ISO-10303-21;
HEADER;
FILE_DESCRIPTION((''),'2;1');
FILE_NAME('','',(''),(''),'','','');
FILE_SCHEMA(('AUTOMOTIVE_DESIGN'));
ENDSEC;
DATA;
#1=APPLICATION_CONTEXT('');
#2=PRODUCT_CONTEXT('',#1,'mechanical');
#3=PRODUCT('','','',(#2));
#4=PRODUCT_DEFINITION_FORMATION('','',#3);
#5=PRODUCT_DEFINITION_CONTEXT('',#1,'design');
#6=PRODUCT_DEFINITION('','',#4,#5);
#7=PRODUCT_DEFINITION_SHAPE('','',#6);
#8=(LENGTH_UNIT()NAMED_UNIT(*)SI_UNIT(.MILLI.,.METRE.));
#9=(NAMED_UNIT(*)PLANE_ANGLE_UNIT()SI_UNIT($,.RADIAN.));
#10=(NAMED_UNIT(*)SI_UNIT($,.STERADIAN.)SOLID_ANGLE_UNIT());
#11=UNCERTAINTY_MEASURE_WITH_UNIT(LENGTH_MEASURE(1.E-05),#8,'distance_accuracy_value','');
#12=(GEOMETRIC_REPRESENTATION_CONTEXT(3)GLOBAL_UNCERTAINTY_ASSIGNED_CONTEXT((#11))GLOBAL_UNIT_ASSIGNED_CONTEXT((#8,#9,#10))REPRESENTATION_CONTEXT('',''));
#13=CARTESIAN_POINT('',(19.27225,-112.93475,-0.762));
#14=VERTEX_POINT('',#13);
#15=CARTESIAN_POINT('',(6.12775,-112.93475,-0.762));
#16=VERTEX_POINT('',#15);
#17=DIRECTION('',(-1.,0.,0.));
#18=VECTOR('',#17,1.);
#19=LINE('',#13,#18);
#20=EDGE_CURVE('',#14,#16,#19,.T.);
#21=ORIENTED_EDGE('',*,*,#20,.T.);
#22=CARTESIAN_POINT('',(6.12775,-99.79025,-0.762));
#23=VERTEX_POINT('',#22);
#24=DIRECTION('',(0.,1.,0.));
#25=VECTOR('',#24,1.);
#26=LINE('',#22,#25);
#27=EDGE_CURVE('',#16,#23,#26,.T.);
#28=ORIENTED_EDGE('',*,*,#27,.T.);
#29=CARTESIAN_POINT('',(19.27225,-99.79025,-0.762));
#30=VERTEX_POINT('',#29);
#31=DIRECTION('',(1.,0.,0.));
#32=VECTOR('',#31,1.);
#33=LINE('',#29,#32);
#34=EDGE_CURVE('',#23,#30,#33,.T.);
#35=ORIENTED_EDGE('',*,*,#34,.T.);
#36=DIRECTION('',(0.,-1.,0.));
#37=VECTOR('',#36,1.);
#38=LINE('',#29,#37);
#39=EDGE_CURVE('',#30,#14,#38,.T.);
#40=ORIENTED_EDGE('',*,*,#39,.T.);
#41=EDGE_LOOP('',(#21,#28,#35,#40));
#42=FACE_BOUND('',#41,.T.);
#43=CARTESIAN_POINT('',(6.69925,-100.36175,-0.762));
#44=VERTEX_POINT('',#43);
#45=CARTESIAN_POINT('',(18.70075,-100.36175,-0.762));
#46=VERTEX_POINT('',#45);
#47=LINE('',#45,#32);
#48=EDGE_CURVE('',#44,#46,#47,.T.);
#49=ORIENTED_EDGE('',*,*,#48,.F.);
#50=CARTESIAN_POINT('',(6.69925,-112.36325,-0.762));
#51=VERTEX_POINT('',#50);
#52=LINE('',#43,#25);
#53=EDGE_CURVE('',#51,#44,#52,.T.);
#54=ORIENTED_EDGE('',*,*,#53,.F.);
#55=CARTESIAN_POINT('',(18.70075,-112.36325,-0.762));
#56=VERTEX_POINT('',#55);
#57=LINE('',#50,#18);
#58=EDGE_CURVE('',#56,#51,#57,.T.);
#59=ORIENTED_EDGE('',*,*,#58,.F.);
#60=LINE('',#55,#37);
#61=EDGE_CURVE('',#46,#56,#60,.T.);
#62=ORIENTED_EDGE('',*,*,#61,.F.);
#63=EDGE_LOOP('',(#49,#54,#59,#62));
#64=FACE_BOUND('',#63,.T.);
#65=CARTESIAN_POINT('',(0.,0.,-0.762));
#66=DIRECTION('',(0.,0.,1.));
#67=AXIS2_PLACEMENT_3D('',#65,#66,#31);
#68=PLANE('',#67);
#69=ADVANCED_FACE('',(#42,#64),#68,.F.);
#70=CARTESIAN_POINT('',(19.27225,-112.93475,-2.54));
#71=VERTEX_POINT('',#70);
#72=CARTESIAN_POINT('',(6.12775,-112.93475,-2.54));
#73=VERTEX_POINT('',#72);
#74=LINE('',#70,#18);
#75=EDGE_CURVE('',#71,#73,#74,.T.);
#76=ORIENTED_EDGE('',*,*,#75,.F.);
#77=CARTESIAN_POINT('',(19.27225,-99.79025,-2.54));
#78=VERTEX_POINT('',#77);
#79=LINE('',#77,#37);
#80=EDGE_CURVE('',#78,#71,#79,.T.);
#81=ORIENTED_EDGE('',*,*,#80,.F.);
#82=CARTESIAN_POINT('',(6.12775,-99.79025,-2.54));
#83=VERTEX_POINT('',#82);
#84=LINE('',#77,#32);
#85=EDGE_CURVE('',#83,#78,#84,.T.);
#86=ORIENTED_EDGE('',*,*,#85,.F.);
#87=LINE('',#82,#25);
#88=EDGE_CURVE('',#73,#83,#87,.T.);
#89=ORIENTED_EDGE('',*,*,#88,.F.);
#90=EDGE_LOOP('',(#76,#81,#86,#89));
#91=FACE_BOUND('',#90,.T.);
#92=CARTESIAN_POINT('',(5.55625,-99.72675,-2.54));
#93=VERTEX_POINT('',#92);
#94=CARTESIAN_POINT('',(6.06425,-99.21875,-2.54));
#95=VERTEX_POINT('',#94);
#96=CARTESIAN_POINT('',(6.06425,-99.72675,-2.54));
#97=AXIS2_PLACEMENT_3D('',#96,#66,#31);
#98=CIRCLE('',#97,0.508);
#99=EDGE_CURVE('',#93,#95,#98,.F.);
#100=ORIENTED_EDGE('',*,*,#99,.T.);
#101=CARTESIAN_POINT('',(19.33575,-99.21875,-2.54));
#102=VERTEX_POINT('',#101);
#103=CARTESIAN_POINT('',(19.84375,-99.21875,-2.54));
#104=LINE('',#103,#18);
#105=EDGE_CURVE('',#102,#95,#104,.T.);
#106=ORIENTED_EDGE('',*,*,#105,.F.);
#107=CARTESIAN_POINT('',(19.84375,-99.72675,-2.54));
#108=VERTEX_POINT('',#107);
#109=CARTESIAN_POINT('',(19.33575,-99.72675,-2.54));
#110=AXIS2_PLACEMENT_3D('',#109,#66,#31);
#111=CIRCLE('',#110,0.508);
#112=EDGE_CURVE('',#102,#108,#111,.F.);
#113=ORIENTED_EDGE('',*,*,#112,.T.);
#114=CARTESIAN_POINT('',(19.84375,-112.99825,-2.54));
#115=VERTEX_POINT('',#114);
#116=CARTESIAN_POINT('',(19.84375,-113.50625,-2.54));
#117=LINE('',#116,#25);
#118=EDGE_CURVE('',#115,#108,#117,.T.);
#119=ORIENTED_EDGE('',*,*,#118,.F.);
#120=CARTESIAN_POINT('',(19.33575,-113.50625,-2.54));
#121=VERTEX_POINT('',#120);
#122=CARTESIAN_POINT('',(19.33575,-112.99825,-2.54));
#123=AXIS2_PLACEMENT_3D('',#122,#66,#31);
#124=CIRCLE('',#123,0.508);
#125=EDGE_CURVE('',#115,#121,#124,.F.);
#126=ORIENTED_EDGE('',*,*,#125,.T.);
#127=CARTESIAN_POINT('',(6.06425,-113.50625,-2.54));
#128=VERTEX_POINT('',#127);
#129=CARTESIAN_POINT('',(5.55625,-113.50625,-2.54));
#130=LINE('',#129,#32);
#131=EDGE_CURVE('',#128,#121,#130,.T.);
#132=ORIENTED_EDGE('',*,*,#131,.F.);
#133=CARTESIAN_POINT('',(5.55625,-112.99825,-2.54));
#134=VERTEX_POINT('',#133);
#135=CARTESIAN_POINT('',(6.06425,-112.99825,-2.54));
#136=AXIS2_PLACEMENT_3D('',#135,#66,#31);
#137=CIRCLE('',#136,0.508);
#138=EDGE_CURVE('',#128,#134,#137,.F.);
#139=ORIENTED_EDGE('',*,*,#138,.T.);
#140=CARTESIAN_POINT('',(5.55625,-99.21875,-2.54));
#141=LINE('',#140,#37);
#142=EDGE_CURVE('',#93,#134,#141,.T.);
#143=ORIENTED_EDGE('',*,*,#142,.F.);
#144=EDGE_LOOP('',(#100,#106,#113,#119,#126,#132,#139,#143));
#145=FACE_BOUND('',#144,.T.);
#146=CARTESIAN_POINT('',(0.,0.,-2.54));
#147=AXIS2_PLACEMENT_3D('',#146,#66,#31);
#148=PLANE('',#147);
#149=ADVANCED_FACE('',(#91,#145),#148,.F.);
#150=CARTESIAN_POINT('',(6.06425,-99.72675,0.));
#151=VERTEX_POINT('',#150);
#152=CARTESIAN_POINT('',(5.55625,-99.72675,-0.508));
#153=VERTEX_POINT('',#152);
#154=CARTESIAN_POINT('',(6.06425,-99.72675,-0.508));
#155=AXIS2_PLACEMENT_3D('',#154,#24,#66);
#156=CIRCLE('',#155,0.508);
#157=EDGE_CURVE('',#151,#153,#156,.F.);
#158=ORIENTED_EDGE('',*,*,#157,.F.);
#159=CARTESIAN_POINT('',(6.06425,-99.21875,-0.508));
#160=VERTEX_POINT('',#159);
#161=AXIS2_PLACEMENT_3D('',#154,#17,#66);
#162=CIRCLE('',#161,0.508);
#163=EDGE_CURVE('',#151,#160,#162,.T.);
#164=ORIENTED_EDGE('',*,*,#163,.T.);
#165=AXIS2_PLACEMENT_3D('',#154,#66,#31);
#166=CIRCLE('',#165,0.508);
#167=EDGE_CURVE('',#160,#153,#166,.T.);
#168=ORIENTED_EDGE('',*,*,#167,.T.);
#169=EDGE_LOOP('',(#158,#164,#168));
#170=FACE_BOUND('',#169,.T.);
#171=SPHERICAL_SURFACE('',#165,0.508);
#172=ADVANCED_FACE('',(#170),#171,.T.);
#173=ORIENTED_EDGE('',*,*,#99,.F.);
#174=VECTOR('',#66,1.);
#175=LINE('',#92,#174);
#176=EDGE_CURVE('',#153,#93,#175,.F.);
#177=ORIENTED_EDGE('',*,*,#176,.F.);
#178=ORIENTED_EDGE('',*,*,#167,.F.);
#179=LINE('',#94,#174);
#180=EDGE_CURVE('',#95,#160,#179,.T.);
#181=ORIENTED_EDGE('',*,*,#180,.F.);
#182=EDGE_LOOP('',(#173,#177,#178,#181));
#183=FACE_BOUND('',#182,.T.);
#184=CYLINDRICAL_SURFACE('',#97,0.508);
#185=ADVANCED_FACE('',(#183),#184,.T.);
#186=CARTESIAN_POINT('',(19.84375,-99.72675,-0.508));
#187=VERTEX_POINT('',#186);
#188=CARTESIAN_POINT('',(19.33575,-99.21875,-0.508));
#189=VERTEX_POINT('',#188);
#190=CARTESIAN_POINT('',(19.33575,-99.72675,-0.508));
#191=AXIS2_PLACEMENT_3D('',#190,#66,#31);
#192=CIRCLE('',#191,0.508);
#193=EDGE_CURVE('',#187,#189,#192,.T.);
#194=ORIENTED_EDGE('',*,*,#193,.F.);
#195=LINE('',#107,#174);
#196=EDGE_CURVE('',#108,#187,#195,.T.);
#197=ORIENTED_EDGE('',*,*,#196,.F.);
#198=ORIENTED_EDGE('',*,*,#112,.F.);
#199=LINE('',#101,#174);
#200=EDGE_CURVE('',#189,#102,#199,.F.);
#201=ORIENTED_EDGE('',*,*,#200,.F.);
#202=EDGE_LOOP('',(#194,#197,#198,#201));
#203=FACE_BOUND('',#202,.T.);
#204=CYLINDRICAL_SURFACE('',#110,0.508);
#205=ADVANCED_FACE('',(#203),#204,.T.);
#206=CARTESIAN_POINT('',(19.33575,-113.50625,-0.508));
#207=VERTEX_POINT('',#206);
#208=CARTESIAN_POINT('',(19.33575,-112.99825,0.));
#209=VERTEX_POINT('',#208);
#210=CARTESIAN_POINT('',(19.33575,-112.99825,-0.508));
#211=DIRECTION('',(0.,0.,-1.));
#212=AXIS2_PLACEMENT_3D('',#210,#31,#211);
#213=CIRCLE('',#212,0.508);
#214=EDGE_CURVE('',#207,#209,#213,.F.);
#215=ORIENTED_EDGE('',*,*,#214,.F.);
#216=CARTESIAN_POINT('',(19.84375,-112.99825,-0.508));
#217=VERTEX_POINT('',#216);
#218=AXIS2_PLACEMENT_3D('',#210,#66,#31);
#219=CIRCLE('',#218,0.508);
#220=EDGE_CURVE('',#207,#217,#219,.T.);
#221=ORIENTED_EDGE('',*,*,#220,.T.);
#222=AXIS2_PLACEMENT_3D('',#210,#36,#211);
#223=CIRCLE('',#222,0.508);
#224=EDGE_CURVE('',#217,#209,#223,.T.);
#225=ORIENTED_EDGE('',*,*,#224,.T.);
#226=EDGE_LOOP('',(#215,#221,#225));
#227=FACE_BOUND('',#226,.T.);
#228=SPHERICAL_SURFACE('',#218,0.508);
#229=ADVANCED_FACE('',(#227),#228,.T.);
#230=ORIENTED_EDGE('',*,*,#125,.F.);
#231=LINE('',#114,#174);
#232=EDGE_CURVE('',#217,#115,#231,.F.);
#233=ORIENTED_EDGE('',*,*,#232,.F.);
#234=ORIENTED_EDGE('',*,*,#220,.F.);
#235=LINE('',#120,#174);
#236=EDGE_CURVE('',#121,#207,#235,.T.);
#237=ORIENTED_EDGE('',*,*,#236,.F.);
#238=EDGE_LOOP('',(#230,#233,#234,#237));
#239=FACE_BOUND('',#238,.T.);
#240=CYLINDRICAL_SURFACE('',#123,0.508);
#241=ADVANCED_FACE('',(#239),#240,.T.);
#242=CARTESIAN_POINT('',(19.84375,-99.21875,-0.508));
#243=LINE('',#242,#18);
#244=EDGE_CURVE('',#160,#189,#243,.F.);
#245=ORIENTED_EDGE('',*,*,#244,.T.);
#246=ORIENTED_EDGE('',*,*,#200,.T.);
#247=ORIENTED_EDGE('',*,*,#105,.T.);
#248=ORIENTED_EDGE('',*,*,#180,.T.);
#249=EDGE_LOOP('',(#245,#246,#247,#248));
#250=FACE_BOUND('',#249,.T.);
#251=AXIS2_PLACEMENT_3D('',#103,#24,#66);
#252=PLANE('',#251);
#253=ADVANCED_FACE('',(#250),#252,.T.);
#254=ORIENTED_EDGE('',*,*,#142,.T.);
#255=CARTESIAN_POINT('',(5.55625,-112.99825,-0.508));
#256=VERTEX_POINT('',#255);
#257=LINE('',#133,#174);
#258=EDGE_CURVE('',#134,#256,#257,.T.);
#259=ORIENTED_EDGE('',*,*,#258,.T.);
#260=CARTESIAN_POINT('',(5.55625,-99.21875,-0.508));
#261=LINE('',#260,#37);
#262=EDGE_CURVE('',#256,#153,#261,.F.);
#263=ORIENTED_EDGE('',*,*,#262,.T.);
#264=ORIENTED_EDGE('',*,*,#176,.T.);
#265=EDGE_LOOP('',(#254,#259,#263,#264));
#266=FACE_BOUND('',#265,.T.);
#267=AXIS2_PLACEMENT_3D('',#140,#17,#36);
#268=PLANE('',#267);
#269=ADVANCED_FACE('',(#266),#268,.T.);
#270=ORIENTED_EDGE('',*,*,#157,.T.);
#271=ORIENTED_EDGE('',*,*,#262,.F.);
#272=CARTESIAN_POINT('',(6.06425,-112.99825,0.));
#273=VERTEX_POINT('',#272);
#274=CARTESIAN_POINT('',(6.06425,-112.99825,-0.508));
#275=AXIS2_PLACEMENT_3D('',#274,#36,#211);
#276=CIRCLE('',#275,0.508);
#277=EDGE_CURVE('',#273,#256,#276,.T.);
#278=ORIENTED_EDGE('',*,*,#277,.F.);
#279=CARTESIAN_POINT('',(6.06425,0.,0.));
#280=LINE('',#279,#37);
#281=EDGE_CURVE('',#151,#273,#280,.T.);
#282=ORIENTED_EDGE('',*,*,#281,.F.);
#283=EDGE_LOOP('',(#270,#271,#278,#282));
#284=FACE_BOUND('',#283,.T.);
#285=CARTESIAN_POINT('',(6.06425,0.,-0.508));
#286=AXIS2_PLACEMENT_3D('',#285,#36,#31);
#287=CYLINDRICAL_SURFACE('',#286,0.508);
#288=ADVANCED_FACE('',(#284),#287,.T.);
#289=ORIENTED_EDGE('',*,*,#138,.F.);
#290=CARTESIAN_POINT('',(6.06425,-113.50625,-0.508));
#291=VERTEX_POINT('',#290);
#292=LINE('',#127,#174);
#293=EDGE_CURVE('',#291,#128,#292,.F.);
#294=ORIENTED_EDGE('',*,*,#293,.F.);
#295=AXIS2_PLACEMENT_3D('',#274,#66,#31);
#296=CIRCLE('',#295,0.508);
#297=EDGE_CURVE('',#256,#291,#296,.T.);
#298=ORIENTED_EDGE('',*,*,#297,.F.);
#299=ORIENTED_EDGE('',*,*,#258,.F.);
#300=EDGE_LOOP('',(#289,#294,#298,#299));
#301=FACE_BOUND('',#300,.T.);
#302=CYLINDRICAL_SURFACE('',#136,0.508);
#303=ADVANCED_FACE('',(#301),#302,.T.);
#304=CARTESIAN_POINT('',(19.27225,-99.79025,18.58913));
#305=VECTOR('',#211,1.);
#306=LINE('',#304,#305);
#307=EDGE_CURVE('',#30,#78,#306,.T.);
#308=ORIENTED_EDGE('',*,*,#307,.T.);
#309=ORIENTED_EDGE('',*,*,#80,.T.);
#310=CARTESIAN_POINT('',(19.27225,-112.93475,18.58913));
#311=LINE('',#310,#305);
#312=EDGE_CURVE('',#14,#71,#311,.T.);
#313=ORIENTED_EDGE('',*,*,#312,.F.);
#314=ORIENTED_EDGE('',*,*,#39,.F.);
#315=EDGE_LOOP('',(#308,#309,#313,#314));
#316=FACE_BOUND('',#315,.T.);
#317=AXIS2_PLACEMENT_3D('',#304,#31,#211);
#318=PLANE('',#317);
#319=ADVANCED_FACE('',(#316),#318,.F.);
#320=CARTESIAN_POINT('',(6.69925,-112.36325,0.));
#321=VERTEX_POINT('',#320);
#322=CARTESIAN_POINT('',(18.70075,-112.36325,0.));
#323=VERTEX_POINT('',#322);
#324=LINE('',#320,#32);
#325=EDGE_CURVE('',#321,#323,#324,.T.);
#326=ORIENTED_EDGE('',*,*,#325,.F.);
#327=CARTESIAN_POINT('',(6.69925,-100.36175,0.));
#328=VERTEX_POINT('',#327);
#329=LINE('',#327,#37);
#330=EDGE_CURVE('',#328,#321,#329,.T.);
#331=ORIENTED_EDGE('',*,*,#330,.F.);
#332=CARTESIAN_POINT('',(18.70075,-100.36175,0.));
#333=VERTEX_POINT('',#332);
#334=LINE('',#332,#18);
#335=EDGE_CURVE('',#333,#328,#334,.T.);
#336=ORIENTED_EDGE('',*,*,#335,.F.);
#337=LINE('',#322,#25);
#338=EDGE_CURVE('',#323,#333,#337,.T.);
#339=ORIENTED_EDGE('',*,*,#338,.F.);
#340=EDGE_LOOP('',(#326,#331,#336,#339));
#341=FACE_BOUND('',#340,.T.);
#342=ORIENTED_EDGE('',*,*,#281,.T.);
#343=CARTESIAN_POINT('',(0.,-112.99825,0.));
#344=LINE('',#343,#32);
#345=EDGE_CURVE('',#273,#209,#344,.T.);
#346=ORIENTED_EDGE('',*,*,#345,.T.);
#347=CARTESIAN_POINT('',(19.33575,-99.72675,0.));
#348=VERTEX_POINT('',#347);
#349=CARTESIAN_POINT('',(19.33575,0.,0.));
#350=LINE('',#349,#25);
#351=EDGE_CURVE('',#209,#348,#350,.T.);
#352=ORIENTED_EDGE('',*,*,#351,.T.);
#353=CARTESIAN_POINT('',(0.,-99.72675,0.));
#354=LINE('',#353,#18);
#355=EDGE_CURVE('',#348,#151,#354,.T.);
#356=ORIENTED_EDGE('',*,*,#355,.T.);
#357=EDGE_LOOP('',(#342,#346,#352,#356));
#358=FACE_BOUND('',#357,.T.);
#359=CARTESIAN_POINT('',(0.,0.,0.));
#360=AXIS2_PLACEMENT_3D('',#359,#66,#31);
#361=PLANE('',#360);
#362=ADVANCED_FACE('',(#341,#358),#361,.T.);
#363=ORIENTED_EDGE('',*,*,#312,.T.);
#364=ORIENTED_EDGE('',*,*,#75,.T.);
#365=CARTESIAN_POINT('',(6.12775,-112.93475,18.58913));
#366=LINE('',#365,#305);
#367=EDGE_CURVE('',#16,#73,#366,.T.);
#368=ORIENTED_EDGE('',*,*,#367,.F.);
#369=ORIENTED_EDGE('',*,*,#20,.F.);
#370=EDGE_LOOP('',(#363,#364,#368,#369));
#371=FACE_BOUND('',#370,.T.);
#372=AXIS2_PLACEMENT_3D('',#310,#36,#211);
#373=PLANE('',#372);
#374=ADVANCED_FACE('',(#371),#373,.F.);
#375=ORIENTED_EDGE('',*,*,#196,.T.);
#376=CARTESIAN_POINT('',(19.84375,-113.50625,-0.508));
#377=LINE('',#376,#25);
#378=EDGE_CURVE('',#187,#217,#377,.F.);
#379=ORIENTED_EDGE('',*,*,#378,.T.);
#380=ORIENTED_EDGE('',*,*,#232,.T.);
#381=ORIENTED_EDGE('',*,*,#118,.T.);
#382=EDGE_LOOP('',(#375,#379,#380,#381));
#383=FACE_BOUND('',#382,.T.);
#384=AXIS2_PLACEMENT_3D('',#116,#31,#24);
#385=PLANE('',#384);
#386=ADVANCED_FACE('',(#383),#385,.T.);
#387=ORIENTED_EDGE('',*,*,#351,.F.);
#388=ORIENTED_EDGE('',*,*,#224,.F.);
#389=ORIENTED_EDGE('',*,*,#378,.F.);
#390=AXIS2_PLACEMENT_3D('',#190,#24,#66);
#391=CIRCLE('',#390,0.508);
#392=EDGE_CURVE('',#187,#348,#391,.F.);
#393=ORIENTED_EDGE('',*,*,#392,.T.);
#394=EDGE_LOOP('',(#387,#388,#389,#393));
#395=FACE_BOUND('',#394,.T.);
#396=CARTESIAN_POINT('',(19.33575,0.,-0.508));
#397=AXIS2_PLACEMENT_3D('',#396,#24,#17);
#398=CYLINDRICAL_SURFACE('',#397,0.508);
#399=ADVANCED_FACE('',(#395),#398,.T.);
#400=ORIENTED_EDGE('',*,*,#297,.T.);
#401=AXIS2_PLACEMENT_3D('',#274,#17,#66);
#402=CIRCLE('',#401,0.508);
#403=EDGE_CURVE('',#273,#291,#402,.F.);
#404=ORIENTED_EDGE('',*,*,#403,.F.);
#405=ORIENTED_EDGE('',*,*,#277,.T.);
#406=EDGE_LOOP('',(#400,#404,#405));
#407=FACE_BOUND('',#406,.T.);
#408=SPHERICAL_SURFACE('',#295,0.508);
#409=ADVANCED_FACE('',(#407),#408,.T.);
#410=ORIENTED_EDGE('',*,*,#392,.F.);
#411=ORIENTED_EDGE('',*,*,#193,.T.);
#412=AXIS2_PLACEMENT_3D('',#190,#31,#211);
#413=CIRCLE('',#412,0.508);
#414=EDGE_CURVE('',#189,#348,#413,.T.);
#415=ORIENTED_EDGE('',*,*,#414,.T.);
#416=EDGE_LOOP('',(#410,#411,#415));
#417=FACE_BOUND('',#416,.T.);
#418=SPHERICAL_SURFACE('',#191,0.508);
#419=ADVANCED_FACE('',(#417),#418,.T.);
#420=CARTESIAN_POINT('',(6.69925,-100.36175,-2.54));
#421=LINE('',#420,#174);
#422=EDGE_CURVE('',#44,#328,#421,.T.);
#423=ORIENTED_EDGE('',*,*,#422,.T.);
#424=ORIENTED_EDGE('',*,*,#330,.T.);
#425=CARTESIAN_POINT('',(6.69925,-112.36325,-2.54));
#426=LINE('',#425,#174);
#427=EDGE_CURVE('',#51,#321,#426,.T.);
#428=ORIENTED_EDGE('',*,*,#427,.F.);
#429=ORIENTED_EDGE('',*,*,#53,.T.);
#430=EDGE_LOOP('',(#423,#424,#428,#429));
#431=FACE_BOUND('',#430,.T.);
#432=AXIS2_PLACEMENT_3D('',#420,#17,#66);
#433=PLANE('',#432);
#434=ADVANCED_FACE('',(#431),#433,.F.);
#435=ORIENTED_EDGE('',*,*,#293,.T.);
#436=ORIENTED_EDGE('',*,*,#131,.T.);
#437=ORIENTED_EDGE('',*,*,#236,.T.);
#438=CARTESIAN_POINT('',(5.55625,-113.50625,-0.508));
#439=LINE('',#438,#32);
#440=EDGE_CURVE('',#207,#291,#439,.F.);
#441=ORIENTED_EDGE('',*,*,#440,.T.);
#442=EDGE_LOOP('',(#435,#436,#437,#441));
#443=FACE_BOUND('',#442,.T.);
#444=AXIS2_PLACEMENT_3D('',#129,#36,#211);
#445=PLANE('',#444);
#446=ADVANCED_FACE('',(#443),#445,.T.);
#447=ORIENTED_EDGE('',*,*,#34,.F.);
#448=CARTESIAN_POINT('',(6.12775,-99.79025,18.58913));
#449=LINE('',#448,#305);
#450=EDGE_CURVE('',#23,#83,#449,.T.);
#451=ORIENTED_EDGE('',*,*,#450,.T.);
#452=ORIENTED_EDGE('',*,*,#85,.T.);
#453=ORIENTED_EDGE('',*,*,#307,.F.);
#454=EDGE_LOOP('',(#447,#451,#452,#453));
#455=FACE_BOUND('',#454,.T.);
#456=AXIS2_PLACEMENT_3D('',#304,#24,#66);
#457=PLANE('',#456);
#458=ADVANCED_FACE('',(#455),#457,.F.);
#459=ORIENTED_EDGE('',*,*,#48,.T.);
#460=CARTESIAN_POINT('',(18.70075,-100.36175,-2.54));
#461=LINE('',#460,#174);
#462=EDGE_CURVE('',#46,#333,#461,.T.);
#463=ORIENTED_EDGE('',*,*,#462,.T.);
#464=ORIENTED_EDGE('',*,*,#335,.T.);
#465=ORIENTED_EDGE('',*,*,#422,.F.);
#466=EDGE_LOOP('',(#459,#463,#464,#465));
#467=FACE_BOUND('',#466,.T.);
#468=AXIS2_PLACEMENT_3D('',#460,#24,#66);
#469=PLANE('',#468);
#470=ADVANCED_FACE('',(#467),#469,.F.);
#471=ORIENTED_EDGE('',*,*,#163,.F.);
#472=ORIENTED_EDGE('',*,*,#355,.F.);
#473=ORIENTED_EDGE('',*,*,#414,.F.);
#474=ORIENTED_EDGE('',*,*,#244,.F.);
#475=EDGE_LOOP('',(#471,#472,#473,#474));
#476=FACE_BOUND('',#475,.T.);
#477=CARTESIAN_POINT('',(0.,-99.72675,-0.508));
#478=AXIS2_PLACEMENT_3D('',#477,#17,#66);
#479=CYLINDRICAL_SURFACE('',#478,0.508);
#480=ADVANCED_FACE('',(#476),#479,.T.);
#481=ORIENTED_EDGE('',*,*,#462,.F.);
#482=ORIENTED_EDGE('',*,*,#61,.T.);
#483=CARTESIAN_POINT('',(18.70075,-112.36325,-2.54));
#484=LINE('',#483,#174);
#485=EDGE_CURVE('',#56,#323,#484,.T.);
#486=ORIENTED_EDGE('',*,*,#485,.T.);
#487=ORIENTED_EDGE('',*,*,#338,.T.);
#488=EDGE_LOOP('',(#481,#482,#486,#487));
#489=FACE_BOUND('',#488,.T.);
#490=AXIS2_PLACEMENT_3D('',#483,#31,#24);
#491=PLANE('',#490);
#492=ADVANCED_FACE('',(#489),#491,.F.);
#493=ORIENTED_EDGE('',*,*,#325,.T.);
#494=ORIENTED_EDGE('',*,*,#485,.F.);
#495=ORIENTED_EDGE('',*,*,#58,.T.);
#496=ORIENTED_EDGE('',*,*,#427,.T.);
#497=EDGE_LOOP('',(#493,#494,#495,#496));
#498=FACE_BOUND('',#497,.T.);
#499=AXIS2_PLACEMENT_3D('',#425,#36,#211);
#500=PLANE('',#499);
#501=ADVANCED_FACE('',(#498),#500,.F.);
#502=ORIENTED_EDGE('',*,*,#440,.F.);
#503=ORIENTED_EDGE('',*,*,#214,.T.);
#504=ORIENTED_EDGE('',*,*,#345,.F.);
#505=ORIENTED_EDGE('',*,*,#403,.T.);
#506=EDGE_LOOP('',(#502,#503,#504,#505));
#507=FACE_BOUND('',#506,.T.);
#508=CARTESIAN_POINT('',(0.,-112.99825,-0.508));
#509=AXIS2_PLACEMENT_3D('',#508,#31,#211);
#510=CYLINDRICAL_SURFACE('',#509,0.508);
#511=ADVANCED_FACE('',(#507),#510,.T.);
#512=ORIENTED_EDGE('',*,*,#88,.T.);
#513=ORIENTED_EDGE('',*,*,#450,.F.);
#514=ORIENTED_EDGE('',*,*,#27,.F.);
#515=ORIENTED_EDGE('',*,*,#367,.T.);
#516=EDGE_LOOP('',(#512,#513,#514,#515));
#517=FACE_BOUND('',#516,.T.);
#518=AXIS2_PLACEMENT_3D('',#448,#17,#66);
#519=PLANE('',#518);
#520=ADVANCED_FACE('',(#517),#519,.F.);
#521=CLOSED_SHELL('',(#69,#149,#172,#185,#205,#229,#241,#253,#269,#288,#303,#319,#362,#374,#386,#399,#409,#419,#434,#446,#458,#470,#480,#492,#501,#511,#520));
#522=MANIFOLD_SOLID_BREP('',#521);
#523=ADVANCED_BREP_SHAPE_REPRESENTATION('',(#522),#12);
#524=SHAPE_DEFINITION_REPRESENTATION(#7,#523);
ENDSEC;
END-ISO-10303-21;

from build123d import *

# Parameters (mm, degrees)
SKETCH1_W           = 14.2875
SKETCH1_H           = 14.2875
SKETCH1_W_2         = 12.0015
SKETCH1_H_2         = 12.0015
BOSS_EXTRUDE1_DEPTH = 2.54
SKETCH2_W           = 13.1445
SKETCH2_H           = 13.1445
CUT_EXTRUDE1_DEPTH  = 1.778
FILLET1_R           = 0.508


with BuildPart() as part:
    # Sketch1 → Boss-Extrude1 (new body)
    with BuildSketch(Plane.XY):
        with Locations((12.7, -106.3625)):
            Rectangle(SKETCH1_W, SKETCH1_H)
        with Locations((12.7, -106.3625)):
            Rectangle(SKETCH1_W_2, SKETCH1_H_2, mode=Mode.SUBTRACT)
    extrude(amount=-BOSS_EXTRUDE1_DEPTH)

    # Sketch2 → Cut-Extrude1 (cut)
    with BuildSketch(Plane(origin=(0, 0, -2.54), x_dir=(-1, 0, 0), z_dir=(0, 0, -1))):
        with Locations((-12.7, -106.3625)):
            Rectangle(SKETCH2_W, SKETCH2_H)
    extrude(amount=-CUT_EXTRUDE1_DEPTH, mode=Mode.SUBTRACT)

    # Fillet1
    fillet1_edges = [part.edges().sort_by_distance(p)[0] for p in [
        (5.55625, -106.3625, 0),
        (12.7, -99.21875, 0),
        (19.84375, -106.3625, 0),
        (12.7, -113.50625, 0),
        (5.55625, -113.50625, -1.27),
        (5.55625, -99.21875, -1.27),
        (19.84375, -99.21875, -1.27),
        (19.84375, -113.50625, -1.27),
    ]]
    fillet(fillet1_edges, radius=FILLET1_R)


solid = part.part
